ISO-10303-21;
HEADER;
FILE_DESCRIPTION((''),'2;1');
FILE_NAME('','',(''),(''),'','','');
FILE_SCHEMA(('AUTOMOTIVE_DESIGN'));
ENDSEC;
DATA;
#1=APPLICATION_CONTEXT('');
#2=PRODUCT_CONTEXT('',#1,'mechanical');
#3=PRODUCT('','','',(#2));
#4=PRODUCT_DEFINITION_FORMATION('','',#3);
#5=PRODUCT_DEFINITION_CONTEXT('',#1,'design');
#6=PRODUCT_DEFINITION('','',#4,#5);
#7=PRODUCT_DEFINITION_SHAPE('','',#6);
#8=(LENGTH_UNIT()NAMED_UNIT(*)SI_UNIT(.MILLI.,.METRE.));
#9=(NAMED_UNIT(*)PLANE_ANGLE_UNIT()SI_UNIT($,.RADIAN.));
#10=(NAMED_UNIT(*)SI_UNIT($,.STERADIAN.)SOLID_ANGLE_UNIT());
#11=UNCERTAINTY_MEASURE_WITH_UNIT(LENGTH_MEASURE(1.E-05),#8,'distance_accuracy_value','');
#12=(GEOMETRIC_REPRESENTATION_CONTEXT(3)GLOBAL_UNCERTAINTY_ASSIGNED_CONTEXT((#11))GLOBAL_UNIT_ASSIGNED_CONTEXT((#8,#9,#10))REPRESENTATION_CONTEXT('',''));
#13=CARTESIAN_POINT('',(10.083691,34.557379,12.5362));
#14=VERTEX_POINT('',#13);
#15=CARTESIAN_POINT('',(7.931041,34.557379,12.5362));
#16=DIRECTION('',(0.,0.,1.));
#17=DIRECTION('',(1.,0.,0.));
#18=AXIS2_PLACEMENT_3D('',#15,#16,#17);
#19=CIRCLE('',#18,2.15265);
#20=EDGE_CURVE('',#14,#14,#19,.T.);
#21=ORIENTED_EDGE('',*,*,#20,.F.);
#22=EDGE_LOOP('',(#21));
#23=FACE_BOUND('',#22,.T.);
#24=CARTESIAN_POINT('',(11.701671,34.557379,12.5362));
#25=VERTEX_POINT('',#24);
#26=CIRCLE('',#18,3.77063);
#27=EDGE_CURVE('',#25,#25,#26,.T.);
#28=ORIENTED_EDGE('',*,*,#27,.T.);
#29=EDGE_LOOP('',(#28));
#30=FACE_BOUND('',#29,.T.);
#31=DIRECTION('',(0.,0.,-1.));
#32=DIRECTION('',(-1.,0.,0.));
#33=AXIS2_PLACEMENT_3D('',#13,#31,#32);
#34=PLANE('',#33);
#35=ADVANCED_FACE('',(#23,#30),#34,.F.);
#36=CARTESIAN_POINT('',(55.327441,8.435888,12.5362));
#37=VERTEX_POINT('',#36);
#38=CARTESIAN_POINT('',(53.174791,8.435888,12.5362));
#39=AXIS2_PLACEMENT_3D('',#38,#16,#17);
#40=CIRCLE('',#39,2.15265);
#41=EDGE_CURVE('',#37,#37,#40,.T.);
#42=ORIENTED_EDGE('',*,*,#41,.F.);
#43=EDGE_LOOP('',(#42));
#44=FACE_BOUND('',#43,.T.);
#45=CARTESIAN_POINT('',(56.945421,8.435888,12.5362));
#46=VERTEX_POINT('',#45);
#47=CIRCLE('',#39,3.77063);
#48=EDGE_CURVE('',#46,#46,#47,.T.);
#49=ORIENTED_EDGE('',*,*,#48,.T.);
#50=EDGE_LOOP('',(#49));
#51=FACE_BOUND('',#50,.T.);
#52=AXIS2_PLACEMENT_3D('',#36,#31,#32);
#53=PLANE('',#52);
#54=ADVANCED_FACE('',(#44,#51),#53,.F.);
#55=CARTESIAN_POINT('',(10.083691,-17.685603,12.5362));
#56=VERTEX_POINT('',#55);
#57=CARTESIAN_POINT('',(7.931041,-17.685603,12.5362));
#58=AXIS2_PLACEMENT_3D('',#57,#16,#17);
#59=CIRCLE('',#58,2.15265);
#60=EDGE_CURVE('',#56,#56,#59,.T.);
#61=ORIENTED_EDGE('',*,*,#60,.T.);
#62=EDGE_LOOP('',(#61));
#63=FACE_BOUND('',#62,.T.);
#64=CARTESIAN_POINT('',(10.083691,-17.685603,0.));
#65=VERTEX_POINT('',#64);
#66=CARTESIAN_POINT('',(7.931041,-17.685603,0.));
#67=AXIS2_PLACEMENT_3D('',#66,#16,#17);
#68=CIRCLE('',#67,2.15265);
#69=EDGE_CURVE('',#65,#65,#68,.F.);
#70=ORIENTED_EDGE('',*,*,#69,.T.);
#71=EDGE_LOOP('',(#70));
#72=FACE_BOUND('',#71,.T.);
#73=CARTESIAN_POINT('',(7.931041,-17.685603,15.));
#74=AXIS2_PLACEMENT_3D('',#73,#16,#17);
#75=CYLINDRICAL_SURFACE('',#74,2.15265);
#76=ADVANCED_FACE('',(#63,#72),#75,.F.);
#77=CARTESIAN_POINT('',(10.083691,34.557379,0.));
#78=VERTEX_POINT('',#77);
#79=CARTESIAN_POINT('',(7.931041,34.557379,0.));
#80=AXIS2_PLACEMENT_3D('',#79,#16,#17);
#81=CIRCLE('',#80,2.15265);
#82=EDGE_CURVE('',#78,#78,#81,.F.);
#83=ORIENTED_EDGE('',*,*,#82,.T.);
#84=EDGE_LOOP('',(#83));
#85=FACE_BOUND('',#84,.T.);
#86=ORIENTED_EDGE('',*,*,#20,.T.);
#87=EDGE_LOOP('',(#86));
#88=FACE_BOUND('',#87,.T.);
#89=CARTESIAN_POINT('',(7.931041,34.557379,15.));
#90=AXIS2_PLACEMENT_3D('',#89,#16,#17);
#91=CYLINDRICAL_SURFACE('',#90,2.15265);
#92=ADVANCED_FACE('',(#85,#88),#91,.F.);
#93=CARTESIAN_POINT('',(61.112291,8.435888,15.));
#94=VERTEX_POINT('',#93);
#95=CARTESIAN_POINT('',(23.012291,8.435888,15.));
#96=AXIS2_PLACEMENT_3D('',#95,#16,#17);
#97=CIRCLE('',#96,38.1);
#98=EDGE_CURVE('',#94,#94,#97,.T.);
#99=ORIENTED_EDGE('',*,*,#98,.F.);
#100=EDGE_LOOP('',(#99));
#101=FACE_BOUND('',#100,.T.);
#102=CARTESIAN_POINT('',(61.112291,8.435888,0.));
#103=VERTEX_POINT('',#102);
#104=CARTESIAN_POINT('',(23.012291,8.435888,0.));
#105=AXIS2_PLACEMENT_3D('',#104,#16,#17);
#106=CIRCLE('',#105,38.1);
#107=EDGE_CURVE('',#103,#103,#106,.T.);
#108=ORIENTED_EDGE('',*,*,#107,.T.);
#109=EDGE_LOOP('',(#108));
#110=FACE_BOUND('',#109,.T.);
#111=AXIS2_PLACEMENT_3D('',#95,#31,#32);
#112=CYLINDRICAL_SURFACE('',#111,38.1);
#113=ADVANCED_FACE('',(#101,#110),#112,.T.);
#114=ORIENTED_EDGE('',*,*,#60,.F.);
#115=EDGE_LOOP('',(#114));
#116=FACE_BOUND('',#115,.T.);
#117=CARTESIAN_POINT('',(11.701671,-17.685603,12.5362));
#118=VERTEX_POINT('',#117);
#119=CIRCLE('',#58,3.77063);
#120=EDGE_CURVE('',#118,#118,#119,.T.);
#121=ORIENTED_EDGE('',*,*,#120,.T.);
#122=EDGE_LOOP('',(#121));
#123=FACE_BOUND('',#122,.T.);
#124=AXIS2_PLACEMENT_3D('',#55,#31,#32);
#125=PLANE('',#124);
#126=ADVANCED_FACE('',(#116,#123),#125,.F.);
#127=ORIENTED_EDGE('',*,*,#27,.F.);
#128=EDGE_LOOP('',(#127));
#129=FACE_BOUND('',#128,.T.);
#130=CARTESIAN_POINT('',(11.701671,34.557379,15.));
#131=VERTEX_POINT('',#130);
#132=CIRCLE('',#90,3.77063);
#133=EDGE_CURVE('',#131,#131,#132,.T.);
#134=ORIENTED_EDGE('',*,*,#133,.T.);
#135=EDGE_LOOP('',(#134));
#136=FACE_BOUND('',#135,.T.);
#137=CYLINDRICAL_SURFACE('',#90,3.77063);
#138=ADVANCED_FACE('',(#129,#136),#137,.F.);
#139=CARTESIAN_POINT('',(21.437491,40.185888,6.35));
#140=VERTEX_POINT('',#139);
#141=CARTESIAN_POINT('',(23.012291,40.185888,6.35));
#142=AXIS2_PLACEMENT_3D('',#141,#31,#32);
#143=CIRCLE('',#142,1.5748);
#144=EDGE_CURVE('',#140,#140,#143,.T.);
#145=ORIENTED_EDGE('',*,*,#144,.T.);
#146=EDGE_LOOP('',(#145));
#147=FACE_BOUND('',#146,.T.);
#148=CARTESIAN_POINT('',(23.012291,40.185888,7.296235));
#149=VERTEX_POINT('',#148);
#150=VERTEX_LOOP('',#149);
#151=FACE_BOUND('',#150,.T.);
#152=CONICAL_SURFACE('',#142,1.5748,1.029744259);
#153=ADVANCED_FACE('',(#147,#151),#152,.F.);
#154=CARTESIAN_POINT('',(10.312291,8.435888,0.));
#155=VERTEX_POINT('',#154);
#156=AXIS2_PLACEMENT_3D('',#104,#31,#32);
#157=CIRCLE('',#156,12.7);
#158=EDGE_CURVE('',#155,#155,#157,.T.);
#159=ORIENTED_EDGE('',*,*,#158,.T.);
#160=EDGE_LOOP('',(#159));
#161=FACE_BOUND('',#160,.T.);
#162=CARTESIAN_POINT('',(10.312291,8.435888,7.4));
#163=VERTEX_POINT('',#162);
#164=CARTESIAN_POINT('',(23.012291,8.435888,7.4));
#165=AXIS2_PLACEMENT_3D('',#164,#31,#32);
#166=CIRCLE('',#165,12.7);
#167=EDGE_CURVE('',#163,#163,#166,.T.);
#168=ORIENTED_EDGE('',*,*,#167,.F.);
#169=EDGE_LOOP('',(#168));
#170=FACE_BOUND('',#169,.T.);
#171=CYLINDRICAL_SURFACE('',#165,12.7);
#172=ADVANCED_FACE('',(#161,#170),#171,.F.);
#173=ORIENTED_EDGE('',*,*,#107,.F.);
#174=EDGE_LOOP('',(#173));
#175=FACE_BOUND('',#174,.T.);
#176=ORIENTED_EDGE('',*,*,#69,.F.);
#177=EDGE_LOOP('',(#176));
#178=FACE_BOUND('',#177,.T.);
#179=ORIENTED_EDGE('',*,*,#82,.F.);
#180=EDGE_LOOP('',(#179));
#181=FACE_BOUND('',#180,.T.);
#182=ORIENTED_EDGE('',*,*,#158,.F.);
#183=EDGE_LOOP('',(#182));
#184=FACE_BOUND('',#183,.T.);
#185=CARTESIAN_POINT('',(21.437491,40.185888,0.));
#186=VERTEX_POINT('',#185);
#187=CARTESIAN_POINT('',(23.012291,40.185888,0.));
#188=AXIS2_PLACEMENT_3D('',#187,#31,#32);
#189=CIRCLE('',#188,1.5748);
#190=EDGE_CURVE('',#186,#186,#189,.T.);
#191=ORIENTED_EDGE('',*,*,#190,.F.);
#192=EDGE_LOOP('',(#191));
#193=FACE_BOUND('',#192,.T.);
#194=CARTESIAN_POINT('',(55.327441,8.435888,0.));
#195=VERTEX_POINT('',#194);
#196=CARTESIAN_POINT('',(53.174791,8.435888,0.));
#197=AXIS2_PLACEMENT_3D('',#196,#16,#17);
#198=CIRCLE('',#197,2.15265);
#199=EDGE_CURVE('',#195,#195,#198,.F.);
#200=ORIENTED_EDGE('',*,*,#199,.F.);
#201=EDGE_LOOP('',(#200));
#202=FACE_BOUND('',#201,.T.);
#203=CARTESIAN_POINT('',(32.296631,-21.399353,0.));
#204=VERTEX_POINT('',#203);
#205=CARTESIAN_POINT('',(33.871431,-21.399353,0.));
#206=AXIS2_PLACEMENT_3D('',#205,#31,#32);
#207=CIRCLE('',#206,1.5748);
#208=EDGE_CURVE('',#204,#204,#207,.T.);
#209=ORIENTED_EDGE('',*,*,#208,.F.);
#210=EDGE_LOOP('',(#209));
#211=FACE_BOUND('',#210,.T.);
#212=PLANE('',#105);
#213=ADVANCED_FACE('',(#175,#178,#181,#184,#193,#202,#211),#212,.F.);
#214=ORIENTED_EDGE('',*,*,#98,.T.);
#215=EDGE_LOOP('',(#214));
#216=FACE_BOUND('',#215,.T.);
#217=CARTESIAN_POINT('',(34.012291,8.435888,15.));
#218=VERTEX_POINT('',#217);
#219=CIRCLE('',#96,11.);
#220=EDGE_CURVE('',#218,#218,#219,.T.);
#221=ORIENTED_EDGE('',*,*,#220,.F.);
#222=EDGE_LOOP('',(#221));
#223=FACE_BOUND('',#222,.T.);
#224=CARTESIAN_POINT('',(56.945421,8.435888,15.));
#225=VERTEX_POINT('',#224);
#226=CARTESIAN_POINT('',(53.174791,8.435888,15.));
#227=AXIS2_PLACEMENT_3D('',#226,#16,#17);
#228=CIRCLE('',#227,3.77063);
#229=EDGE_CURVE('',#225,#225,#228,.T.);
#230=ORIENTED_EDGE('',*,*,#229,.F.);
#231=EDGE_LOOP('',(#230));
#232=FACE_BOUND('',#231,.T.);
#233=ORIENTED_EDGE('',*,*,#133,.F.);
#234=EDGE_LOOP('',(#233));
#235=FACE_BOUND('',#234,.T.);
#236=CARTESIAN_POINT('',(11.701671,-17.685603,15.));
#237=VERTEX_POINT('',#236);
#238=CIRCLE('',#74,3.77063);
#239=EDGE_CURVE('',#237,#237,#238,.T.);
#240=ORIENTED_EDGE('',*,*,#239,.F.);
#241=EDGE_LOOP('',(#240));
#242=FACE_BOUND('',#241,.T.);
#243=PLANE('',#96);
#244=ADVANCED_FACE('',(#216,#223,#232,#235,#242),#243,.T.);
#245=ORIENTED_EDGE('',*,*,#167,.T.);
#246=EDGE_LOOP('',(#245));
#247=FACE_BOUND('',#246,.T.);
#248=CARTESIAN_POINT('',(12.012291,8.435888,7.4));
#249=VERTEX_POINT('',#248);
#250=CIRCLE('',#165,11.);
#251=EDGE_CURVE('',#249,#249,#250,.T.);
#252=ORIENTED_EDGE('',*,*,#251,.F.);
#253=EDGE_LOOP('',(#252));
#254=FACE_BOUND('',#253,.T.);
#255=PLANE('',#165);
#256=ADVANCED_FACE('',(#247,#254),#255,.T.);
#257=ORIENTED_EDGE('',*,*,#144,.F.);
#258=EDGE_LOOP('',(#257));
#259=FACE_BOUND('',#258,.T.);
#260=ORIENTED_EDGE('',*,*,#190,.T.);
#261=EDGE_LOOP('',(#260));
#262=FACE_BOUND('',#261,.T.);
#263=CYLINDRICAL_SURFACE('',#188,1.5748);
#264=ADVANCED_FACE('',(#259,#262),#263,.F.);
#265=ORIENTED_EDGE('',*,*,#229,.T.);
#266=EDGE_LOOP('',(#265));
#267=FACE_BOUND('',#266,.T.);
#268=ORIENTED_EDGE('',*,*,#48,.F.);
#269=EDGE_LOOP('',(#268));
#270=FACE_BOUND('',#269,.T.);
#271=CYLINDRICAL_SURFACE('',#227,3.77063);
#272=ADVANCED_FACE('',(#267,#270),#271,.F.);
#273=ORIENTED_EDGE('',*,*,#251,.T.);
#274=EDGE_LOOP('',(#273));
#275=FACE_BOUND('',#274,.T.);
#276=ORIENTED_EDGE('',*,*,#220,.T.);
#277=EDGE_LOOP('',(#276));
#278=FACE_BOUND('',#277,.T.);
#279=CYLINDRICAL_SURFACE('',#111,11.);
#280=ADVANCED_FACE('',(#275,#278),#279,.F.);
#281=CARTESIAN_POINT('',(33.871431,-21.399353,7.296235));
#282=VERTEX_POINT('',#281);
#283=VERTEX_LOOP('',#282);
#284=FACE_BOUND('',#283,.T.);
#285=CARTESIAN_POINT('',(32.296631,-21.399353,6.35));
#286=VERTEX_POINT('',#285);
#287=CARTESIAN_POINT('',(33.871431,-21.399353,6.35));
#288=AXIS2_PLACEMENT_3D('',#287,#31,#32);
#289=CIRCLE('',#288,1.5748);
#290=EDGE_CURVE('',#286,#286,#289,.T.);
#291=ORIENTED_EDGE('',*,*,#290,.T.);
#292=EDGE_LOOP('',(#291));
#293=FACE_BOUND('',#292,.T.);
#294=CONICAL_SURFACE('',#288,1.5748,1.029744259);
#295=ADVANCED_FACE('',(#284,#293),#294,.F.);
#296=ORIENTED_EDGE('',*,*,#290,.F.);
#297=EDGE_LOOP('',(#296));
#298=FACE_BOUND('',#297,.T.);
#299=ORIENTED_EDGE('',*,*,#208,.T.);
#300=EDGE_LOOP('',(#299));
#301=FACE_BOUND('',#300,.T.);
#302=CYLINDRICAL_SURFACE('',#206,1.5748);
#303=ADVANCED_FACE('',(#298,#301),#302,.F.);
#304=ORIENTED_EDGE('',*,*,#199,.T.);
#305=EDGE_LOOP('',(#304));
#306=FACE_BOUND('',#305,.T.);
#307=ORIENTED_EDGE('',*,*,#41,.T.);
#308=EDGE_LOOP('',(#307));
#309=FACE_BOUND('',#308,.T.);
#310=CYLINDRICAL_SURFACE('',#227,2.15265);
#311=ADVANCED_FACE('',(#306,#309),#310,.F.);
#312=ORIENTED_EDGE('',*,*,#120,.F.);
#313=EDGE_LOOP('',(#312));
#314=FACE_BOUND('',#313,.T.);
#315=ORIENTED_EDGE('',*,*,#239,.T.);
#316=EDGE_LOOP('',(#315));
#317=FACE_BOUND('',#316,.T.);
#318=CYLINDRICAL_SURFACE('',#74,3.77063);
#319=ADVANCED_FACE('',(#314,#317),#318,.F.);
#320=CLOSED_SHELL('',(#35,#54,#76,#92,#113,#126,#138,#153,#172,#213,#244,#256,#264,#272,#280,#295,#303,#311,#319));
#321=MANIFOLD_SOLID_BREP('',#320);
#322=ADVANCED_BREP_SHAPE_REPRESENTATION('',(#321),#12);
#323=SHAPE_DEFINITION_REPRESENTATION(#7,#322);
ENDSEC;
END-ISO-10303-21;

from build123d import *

# Parameters (mm, degrees)
ESQUISSE1_R                                      = 38.1
ESQUISSE1_R_2                                    = 11
BOSS_EXTRU_1_DEPTH                               = 15
ESQUISSE2_R                                      = 12.7
ENL_V_MAT_EXTRU_1_DEPTH                          = 7.4
CHAMBRAGE_POUR_VIS_T_TE_RONDE_BOMB_E_D           = 4.3053
CHAMBRAGE_POUR_VIS_T_TE_RONDE_BOMB_E_DEPTH       = 15
CHAMBRAGE_POUR_VIS_T_TE_RONDE_BOMB_E_CBORE_D     = 7.54126
CHAMBRAGE_POUR_VIS_T_TE_RONDE_BOMB_E_CBORE_DEPTH = 2.4638
CHAMBRAGE_POUR_VIS_T_TE_RONDE_BOMB_E_TIP         = 1.293442612
F_1_8_0_124_TROUS_DE_CENTRAGE1_D                 = 3.1496
F_1_8_0_124_TROUS_DE_CENTRAGE1_DEPTH             = 6.35
F_1_8_0_124_TROUS_DE_CENTRAGE1_TIP               = 0.946235303


with BuildPart() as part:
    # Esquisse1 → Boss.-Extru.1 (new body)
    with BuildSketch(Plane.XY):
        with Locations((23.012291104, 8.435887891)):
            Circle(ESQUISSE1_R)
        with Locations((23.012291104, 8.435887891)):
            Circle(ESQUISSE1_R_2, mode=Mode.SUBTRACT)
    extrude(amount=BOSS_EXTRU_1_DEPTH)

    # Esquisse2 → Enlèv. mat.-Extru.1 (cut)
    with BuildSketch(Plane(origin=(0, 0, 0), x_dir=(-1, 0, 0), z_dir=(0, 0, -1))):
        with Locations((-23.012291104, 8.435887891)):
            Circle(ESQUISSE2_R)
    extrude(amount=-ENL_V_MAT_EXTRU_1_DEPTH, mode=Mode.SUBTRACT)

    # Chambrage pour vis à tête ronde bombée #61
    with Locations(Plane.XY.offset(15)):
        with Locations((7.931041104, 34.557379133), (53.174791104, 8.435887891), (7.931041104, -17.68560335)):
            CounterBoreHole(CHAMBRAGE_POUR_VIS_T_TE_RONDE_BOMB_E_D / 2, CHAMBRAGE_POUR_VIS_T_TE_RONDE_BOMB_E_CBORE_D / 2, CHAMBRAGE_POUR_VIS_T_TE_RONDE_BOMB_E_CBORE_DEPTH, depth=CHAMBRAGE_POUR_VIS_T_TE_RONDE_BOMB_E_DEPTH)
            with Locations((0, 0, -(CHAMBRAGE_POUR_VIS_T_TE_RONDE_BOMB_E_DEPTH + CHAMBRAGE_POUR_VIS_T_TE_RONDE_BOMB_E_TIP / 2))):  # 118° drill point
                Cone(0, CHAMBRAGE_POUR_VIS_T_TE_RONDE_BOMB_E_D / 2, CHAMBRAGE_POUR_VIS_T_TE_RONDE_BOMB_E_TIP, mode=Mode.SUBTRACT)

    # 1/8 (0.124) Trous de centrage1
    with Locations(Plane(origin=(0, 0, 0), x_dir=(-1, 0, 0), z_dir=(0, 0, -1))):
        with Locations((-23.012291104, 40.185887891), (-33.871430655, -21.399352819)):
            Hole(F_1_8_0_124_TROUS_DE_CENTRAGE1_D / 2, depth=F_1_8_0_124_TROUS_DE_CENTRAGE1_DEPTH)
            with Locations((0, 0, -(F_1_8_0_124_TROUS_DE_CENTRAGE1_DEPTH + F_1_8_0_124_TROUS_DE_CENTRAGE1_TIP / 2))):  # 118° drill point
                Cone(0, F_1_8_0_124_TROUS_DE_CENTRAGE1_D / 2, F_1_8_0_124_TROUS_DE_CENTRAGE1_TIP, mode=Mode.SUBTRACT)


solid = part.part
